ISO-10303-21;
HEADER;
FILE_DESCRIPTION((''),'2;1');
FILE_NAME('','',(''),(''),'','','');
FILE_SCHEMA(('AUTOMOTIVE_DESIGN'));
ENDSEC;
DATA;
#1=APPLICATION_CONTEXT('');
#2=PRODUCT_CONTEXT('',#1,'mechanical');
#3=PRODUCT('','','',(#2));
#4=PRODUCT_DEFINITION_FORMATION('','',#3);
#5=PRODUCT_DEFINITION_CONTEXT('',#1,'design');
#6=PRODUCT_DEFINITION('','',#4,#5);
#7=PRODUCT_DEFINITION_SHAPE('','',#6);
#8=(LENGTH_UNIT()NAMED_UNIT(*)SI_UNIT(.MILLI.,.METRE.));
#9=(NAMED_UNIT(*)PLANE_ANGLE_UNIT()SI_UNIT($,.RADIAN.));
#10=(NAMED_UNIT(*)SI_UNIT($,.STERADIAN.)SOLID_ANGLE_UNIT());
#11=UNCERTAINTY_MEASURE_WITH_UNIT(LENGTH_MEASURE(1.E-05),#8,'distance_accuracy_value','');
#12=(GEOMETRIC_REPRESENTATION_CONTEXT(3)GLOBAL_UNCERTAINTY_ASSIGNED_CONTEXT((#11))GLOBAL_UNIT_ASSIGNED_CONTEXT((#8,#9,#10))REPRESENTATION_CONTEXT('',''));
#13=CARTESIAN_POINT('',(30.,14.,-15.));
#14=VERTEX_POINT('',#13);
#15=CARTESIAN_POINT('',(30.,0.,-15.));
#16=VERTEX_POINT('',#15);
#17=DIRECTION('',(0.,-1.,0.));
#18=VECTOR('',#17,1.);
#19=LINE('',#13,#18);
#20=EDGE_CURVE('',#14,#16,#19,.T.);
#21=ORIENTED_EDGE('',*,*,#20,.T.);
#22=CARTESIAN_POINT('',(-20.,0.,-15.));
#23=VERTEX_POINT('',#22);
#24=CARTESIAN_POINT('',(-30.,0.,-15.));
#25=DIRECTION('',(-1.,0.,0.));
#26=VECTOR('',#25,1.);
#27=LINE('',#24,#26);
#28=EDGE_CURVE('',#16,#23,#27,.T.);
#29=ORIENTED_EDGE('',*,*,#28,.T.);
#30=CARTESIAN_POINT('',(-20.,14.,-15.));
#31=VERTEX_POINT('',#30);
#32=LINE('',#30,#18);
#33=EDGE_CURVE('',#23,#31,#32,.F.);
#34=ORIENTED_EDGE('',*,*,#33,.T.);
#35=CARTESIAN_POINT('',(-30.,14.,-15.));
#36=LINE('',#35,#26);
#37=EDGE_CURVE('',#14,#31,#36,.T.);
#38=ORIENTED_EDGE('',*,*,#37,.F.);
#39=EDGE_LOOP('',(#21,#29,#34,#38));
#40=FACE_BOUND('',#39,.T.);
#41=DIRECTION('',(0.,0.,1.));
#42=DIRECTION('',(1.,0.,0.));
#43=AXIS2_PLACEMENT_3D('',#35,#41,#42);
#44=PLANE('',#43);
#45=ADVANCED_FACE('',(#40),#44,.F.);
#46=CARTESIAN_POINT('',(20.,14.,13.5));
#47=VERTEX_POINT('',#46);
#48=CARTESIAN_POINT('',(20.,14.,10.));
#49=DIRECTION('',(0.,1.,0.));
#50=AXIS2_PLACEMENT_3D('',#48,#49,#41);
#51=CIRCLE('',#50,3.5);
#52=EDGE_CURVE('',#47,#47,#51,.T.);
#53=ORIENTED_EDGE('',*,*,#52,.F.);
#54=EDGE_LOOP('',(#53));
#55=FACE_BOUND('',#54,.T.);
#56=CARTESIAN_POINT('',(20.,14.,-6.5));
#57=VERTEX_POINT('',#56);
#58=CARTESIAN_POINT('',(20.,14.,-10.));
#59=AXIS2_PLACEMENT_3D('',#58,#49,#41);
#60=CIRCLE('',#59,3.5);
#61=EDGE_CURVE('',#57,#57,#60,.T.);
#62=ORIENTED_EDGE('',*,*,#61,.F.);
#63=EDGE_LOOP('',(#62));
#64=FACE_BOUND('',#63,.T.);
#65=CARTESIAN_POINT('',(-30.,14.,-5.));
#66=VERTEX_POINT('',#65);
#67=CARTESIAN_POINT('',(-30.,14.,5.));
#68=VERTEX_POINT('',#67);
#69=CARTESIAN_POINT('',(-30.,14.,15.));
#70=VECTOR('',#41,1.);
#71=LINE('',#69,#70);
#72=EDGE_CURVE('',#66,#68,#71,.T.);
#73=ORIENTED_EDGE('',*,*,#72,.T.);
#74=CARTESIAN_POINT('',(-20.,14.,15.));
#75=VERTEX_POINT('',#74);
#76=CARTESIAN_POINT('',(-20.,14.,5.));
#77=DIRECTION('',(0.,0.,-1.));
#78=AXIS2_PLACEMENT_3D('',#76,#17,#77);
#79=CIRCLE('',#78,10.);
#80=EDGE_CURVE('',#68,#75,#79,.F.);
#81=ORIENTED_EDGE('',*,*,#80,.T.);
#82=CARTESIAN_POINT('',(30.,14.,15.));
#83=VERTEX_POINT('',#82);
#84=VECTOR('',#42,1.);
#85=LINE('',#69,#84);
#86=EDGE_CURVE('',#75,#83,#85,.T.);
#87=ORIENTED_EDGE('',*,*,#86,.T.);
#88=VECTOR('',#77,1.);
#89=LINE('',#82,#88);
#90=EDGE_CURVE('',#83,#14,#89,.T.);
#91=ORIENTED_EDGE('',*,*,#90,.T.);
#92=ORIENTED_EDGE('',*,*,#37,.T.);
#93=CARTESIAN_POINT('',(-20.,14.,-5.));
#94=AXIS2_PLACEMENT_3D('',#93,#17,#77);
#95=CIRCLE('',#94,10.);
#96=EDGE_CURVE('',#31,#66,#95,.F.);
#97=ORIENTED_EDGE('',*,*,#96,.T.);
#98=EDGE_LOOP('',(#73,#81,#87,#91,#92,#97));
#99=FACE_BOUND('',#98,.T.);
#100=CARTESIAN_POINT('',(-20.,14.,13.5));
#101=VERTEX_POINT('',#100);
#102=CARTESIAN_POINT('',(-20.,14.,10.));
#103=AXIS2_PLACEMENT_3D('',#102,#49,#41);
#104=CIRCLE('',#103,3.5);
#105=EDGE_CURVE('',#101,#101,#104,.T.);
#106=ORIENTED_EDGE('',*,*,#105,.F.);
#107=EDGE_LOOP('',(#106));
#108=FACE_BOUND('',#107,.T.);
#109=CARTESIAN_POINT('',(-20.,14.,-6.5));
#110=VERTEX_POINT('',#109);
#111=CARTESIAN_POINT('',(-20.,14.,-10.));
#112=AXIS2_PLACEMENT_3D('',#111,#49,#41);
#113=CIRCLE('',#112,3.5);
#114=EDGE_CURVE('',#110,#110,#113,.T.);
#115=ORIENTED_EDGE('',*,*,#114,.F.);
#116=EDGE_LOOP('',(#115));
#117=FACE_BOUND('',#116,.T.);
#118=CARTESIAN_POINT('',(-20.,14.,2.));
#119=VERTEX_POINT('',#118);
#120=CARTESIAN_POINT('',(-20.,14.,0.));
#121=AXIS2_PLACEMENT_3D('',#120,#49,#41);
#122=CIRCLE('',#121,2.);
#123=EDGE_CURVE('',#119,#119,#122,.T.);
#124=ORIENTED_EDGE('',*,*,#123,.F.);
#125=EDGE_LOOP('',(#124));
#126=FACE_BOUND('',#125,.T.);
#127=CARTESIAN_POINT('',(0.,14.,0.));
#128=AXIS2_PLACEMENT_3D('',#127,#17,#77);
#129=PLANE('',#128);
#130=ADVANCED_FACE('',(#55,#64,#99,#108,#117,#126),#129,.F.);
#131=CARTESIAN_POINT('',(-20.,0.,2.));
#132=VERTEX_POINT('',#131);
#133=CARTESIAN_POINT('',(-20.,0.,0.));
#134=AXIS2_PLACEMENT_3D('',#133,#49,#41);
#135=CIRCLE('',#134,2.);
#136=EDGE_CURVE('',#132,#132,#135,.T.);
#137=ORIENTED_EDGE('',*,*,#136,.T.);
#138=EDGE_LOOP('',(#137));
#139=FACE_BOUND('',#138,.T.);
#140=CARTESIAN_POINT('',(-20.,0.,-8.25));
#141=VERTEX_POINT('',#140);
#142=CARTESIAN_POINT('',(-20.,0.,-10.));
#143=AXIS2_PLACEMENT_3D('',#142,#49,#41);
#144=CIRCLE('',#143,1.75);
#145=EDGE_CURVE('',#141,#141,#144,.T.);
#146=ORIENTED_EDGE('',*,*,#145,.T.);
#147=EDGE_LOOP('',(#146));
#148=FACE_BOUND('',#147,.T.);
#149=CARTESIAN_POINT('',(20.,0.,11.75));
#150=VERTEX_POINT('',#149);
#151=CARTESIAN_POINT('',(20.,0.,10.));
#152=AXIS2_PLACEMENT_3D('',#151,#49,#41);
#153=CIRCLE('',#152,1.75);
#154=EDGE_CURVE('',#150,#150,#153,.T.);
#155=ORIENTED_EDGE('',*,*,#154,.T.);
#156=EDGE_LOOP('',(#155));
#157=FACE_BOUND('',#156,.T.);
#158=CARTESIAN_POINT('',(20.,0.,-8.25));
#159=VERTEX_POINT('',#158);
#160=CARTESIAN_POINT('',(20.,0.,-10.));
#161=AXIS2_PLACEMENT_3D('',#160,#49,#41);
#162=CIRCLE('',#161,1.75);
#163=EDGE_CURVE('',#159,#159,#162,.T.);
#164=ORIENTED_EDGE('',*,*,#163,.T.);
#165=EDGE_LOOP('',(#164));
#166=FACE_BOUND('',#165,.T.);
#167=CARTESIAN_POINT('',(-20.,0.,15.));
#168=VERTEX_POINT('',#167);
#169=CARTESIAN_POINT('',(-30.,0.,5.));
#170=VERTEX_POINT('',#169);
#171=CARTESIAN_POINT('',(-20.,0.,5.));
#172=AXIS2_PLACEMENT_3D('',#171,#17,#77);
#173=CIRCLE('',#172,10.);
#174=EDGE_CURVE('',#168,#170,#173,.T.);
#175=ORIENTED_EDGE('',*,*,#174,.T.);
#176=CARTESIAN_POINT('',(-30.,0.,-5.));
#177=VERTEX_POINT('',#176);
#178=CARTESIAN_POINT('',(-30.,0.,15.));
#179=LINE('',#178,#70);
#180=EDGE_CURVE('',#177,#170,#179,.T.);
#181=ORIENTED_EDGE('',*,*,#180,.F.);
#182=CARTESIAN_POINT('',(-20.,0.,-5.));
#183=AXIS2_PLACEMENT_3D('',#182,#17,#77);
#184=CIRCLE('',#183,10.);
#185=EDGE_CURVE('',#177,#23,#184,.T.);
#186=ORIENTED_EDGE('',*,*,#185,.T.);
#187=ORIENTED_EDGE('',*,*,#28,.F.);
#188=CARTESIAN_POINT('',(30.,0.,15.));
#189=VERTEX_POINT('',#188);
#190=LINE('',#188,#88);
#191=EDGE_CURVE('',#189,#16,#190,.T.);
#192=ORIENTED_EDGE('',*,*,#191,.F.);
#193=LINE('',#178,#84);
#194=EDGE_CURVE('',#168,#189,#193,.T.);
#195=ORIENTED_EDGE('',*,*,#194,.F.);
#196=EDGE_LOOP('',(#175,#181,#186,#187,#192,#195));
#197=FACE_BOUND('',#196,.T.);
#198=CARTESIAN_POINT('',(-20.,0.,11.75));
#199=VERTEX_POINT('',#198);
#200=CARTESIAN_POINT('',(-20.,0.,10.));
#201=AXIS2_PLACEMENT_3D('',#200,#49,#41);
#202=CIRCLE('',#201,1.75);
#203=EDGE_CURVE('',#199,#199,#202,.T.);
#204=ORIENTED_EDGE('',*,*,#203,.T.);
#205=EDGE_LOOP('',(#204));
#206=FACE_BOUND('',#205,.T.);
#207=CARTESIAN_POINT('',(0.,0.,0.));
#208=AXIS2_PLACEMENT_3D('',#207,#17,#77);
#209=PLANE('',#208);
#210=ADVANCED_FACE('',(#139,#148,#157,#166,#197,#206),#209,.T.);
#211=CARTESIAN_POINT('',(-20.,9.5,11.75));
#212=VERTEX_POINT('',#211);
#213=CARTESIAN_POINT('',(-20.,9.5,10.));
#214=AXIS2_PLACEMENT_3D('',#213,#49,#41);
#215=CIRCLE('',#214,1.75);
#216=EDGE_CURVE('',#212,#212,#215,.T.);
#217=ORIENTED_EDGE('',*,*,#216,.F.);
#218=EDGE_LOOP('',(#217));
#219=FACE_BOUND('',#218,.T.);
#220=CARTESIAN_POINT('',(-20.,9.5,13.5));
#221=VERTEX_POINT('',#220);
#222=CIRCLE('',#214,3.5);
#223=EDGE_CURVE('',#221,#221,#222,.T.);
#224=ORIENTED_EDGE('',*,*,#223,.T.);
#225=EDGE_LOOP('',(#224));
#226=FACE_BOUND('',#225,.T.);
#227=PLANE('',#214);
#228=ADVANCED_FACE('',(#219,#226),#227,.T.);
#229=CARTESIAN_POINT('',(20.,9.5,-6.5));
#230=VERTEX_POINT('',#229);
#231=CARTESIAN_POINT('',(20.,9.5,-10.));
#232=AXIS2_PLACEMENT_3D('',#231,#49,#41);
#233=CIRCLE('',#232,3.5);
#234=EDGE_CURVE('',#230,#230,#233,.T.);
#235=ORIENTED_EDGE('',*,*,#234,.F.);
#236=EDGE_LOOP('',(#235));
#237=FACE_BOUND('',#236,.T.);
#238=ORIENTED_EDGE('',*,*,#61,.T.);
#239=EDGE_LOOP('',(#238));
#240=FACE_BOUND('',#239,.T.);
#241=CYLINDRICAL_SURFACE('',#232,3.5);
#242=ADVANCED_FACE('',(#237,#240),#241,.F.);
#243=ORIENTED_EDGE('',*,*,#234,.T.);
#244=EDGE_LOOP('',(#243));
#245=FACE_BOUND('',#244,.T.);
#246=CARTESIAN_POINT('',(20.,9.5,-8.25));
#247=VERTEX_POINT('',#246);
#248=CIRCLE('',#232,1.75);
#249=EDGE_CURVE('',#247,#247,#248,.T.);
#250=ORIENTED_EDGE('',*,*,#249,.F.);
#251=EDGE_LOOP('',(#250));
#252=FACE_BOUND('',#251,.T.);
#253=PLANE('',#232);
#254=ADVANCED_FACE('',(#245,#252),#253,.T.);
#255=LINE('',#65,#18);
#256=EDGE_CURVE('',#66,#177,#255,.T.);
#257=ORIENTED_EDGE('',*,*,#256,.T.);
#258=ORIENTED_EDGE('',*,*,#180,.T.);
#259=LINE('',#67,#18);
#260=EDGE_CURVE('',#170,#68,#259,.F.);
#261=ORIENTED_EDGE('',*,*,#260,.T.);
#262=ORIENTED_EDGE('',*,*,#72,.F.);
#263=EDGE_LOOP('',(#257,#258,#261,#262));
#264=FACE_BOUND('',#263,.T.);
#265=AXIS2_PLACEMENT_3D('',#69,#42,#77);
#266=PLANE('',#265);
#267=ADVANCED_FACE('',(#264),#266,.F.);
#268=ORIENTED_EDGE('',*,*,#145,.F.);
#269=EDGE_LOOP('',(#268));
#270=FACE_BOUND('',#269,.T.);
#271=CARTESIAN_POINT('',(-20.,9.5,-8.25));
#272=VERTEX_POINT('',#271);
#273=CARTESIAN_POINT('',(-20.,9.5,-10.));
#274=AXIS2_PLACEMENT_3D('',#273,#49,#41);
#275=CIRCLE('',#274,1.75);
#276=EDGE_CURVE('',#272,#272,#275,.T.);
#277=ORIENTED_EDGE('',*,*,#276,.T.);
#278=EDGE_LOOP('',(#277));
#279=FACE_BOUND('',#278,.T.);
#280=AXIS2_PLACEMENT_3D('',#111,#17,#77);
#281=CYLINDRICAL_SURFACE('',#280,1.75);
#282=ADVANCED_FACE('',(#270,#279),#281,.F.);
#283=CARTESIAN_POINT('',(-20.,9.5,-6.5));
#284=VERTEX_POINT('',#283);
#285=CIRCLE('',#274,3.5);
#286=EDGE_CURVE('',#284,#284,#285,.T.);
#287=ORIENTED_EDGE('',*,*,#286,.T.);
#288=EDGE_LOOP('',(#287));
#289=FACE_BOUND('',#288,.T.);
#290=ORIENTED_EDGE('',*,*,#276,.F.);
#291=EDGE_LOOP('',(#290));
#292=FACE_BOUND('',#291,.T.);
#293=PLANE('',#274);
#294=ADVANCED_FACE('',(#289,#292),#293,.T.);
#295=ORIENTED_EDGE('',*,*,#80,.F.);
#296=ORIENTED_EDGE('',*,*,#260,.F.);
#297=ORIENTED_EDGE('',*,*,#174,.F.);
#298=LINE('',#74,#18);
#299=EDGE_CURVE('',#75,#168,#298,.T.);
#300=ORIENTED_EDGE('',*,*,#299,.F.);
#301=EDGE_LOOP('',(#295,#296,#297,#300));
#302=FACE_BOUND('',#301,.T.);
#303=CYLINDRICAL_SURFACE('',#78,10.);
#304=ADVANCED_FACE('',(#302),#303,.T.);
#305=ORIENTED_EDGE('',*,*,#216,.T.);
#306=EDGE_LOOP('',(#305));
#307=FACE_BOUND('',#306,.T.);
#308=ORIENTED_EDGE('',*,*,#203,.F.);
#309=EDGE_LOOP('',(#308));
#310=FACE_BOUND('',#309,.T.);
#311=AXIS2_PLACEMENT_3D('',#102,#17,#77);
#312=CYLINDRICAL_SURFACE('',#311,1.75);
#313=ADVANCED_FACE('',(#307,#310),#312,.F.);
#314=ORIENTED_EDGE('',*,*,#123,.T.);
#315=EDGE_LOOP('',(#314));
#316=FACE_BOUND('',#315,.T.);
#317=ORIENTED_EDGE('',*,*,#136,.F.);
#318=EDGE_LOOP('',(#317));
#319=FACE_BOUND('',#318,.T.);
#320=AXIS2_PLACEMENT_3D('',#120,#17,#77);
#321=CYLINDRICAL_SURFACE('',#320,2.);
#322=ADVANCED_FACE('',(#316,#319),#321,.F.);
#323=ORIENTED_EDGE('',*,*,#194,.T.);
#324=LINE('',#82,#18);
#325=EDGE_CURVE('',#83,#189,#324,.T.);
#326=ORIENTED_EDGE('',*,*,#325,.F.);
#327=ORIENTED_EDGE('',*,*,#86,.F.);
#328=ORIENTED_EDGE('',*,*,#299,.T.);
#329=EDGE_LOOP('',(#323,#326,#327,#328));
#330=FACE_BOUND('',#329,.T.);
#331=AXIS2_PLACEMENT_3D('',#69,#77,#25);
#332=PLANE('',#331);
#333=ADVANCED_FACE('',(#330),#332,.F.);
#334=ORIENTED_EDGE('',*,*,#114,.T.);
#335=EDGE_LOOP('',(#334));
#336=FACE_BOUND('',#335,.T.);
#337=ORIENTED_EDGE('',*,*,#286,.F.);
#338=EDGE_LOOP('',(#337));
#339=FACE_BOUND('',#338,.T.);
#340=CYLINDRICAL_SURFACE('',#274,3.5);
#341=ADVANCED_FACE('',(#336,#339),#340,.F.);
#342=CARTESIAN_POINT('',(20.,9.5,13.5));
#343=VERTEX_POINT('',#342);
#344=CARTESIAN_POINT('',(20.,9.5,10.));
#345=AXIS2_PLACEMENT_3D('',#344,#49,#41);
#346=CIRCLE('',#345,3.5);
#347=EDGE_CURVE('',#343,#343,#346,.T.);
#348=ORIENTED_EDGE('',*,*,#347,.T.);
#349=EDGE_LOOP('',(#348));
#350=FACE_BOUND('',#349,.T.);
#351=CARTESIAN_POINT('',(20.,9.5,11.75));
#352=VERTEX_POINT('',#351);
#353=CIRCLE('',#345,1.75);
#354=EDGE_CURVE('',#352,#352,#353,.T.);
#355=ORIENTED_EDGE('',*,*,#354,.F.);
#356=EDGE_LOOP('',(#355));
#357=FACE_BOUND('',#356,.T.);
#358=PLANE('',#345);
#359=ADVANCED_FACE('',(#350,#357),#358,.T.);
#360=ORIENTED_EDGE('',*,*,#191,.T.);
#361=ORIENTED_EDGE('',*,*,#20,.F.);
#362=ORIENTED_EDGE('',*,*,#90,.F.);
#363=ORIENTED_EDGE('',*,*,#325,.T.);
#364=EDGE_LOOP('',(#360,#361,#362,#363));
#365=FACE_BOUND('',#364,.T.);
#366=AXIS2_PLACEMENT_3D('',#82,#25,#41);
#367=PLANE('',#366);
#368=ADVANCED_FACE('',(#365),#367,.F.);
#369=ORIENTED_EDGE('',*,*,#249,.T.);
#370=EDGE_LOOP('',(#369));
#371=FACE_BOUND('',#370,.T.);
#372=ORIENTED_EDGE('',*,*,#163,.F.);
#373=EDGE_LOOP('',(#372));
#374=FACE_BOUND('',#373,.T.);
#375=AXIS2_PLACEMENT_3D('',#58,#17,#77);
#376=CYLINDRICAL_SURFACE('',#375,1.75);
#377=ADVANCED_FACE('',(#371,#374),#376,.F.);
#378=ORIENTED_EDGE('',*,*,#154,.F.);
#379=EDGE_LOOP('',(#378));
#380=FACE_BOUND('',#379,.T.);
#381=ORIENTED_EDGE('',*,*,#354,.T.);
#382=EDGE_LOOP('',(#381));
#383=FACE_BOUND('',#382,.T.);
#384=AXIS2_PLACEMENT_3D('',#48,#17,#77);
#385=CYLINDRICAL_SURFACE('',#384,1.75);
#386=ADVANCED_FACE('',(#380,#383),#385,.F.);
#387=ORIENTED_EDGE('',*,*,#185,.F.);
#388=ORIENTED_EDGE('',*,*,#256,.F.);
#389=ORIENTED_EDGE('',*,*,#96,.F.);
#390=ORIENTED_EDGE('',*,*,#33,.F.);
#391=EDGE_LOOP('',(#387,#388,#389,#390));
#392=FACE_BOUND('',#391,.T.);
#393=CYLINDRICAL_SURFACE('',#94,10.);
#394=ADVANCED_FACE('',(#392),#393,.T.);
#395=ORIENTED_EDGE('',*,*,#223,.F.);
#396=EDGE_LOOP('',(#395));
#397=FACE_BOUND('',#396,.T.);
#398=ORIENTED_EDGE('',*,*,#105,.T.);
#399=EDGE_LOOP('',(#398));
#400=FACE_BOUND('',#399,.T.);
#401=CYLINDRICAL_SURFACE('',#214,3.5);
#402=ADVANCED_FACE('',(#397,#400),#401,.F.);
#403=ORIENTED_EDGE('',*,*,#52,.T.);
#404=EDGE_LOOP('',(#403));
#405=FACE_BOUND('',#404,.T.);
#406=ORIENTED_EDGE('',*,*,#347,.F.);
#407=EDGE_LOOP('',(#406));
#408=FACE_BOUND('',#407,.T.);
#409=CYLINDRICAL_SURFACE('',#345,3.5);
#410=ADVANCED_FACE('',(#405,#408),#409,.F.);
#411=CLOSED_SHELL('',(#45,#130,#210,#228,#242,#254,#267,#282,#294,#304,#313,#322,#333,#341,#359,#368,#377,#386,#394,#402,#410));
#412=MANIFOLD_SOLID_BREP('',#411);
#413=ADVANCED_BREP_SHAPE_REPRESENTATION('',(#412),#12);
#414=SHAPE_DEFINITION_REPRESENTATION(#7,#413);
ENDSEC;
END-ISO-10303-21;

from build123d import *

# Parameters (mm, degrees)
SKETCH_1_W          = 60
SKETCH_1_H          = 30
SKETCH_1_R          = 2
SKETCH_1_R_2        = 1.75
EXTRUDE_1_DEPTH     = 14
FILLET_1_R          = 10
SKETCH_2_R          = 3.5
CUT_EXTRUDE_1_DEPTH = 4.5


with BuildPart() as part:
    # 草图1 → 凸台-拉伸1 (new body)
    with BuildSketch(Plane(origin=(0, 0, 0), x_dir=(1, 0, 0), z_dir=(0, 1, 0))):
        Rectangle(SKETCH_1_W, SKETCH_1_H)
        with Locations(Location((-20, 0, 0), (0, 0, 270))):
            Circle(SKETCH_1_R, mode=Mode.SUBTRACT)
        with Locations(Location((-20, 10, 0), (0, 0, 270))):
            Circle(SKETCH_1_R_2, mode=Mode.SUBTRACT)
        with Locations(Location((20, 10, 0), (0, 0, 270))):
            Circle(SKETCH_1_R_2, mode=Mode.SUBTRACT)
        with Locations(Location((-20, -10, 0), (0, 0, 270))):
            Circle(SKETCH_1_R_2, mode=Mode.SUBTRACT)
        with Locations(Location((20, -10, 0), (0, 0, 270))):
            Circle(SKETCH_1_R_2, mode=Mode.SUBTRACT)
    extrude(amount=EXTRUDE_1_DEPTH)

    # 圆角1
    fillet_1_edges = [part.edges().sort_by_distance(p)[0] for p in [
        (-30, 7, 15),
        (-30, 7, -15),
    ]]
    fillet(fillet_1_edges, radius=FILLET_1_R)

    # 草图2 → 切除-拉伸1 (cut)
    with BuildSketch(Plane(origin=(0, 14, 0), x_dir=(1, 0, 0), z_dir=(0, 1, 0))):
        with Locations(Location((-20, 10, 0), (0, 0, 270))):
            Circle(SKETCH_2_R)
        with Locations(Location((-20, -10, 0), (0, 0, 270))):
            Circle(SKETCH_2_R)
        with Locations(Location((20, 10, 0), (0, 0, 270))):
            Circle(SKETCH_2_R)
        with Locations(Location((20, -10, 0), (0, 0, 270))):
            Circle(SKETCH_2_R)
    extrude(amount=-CUT_EXTRUDE_1_DEPTH, mode=Mode.SUBTRACT)


solid = part.part
